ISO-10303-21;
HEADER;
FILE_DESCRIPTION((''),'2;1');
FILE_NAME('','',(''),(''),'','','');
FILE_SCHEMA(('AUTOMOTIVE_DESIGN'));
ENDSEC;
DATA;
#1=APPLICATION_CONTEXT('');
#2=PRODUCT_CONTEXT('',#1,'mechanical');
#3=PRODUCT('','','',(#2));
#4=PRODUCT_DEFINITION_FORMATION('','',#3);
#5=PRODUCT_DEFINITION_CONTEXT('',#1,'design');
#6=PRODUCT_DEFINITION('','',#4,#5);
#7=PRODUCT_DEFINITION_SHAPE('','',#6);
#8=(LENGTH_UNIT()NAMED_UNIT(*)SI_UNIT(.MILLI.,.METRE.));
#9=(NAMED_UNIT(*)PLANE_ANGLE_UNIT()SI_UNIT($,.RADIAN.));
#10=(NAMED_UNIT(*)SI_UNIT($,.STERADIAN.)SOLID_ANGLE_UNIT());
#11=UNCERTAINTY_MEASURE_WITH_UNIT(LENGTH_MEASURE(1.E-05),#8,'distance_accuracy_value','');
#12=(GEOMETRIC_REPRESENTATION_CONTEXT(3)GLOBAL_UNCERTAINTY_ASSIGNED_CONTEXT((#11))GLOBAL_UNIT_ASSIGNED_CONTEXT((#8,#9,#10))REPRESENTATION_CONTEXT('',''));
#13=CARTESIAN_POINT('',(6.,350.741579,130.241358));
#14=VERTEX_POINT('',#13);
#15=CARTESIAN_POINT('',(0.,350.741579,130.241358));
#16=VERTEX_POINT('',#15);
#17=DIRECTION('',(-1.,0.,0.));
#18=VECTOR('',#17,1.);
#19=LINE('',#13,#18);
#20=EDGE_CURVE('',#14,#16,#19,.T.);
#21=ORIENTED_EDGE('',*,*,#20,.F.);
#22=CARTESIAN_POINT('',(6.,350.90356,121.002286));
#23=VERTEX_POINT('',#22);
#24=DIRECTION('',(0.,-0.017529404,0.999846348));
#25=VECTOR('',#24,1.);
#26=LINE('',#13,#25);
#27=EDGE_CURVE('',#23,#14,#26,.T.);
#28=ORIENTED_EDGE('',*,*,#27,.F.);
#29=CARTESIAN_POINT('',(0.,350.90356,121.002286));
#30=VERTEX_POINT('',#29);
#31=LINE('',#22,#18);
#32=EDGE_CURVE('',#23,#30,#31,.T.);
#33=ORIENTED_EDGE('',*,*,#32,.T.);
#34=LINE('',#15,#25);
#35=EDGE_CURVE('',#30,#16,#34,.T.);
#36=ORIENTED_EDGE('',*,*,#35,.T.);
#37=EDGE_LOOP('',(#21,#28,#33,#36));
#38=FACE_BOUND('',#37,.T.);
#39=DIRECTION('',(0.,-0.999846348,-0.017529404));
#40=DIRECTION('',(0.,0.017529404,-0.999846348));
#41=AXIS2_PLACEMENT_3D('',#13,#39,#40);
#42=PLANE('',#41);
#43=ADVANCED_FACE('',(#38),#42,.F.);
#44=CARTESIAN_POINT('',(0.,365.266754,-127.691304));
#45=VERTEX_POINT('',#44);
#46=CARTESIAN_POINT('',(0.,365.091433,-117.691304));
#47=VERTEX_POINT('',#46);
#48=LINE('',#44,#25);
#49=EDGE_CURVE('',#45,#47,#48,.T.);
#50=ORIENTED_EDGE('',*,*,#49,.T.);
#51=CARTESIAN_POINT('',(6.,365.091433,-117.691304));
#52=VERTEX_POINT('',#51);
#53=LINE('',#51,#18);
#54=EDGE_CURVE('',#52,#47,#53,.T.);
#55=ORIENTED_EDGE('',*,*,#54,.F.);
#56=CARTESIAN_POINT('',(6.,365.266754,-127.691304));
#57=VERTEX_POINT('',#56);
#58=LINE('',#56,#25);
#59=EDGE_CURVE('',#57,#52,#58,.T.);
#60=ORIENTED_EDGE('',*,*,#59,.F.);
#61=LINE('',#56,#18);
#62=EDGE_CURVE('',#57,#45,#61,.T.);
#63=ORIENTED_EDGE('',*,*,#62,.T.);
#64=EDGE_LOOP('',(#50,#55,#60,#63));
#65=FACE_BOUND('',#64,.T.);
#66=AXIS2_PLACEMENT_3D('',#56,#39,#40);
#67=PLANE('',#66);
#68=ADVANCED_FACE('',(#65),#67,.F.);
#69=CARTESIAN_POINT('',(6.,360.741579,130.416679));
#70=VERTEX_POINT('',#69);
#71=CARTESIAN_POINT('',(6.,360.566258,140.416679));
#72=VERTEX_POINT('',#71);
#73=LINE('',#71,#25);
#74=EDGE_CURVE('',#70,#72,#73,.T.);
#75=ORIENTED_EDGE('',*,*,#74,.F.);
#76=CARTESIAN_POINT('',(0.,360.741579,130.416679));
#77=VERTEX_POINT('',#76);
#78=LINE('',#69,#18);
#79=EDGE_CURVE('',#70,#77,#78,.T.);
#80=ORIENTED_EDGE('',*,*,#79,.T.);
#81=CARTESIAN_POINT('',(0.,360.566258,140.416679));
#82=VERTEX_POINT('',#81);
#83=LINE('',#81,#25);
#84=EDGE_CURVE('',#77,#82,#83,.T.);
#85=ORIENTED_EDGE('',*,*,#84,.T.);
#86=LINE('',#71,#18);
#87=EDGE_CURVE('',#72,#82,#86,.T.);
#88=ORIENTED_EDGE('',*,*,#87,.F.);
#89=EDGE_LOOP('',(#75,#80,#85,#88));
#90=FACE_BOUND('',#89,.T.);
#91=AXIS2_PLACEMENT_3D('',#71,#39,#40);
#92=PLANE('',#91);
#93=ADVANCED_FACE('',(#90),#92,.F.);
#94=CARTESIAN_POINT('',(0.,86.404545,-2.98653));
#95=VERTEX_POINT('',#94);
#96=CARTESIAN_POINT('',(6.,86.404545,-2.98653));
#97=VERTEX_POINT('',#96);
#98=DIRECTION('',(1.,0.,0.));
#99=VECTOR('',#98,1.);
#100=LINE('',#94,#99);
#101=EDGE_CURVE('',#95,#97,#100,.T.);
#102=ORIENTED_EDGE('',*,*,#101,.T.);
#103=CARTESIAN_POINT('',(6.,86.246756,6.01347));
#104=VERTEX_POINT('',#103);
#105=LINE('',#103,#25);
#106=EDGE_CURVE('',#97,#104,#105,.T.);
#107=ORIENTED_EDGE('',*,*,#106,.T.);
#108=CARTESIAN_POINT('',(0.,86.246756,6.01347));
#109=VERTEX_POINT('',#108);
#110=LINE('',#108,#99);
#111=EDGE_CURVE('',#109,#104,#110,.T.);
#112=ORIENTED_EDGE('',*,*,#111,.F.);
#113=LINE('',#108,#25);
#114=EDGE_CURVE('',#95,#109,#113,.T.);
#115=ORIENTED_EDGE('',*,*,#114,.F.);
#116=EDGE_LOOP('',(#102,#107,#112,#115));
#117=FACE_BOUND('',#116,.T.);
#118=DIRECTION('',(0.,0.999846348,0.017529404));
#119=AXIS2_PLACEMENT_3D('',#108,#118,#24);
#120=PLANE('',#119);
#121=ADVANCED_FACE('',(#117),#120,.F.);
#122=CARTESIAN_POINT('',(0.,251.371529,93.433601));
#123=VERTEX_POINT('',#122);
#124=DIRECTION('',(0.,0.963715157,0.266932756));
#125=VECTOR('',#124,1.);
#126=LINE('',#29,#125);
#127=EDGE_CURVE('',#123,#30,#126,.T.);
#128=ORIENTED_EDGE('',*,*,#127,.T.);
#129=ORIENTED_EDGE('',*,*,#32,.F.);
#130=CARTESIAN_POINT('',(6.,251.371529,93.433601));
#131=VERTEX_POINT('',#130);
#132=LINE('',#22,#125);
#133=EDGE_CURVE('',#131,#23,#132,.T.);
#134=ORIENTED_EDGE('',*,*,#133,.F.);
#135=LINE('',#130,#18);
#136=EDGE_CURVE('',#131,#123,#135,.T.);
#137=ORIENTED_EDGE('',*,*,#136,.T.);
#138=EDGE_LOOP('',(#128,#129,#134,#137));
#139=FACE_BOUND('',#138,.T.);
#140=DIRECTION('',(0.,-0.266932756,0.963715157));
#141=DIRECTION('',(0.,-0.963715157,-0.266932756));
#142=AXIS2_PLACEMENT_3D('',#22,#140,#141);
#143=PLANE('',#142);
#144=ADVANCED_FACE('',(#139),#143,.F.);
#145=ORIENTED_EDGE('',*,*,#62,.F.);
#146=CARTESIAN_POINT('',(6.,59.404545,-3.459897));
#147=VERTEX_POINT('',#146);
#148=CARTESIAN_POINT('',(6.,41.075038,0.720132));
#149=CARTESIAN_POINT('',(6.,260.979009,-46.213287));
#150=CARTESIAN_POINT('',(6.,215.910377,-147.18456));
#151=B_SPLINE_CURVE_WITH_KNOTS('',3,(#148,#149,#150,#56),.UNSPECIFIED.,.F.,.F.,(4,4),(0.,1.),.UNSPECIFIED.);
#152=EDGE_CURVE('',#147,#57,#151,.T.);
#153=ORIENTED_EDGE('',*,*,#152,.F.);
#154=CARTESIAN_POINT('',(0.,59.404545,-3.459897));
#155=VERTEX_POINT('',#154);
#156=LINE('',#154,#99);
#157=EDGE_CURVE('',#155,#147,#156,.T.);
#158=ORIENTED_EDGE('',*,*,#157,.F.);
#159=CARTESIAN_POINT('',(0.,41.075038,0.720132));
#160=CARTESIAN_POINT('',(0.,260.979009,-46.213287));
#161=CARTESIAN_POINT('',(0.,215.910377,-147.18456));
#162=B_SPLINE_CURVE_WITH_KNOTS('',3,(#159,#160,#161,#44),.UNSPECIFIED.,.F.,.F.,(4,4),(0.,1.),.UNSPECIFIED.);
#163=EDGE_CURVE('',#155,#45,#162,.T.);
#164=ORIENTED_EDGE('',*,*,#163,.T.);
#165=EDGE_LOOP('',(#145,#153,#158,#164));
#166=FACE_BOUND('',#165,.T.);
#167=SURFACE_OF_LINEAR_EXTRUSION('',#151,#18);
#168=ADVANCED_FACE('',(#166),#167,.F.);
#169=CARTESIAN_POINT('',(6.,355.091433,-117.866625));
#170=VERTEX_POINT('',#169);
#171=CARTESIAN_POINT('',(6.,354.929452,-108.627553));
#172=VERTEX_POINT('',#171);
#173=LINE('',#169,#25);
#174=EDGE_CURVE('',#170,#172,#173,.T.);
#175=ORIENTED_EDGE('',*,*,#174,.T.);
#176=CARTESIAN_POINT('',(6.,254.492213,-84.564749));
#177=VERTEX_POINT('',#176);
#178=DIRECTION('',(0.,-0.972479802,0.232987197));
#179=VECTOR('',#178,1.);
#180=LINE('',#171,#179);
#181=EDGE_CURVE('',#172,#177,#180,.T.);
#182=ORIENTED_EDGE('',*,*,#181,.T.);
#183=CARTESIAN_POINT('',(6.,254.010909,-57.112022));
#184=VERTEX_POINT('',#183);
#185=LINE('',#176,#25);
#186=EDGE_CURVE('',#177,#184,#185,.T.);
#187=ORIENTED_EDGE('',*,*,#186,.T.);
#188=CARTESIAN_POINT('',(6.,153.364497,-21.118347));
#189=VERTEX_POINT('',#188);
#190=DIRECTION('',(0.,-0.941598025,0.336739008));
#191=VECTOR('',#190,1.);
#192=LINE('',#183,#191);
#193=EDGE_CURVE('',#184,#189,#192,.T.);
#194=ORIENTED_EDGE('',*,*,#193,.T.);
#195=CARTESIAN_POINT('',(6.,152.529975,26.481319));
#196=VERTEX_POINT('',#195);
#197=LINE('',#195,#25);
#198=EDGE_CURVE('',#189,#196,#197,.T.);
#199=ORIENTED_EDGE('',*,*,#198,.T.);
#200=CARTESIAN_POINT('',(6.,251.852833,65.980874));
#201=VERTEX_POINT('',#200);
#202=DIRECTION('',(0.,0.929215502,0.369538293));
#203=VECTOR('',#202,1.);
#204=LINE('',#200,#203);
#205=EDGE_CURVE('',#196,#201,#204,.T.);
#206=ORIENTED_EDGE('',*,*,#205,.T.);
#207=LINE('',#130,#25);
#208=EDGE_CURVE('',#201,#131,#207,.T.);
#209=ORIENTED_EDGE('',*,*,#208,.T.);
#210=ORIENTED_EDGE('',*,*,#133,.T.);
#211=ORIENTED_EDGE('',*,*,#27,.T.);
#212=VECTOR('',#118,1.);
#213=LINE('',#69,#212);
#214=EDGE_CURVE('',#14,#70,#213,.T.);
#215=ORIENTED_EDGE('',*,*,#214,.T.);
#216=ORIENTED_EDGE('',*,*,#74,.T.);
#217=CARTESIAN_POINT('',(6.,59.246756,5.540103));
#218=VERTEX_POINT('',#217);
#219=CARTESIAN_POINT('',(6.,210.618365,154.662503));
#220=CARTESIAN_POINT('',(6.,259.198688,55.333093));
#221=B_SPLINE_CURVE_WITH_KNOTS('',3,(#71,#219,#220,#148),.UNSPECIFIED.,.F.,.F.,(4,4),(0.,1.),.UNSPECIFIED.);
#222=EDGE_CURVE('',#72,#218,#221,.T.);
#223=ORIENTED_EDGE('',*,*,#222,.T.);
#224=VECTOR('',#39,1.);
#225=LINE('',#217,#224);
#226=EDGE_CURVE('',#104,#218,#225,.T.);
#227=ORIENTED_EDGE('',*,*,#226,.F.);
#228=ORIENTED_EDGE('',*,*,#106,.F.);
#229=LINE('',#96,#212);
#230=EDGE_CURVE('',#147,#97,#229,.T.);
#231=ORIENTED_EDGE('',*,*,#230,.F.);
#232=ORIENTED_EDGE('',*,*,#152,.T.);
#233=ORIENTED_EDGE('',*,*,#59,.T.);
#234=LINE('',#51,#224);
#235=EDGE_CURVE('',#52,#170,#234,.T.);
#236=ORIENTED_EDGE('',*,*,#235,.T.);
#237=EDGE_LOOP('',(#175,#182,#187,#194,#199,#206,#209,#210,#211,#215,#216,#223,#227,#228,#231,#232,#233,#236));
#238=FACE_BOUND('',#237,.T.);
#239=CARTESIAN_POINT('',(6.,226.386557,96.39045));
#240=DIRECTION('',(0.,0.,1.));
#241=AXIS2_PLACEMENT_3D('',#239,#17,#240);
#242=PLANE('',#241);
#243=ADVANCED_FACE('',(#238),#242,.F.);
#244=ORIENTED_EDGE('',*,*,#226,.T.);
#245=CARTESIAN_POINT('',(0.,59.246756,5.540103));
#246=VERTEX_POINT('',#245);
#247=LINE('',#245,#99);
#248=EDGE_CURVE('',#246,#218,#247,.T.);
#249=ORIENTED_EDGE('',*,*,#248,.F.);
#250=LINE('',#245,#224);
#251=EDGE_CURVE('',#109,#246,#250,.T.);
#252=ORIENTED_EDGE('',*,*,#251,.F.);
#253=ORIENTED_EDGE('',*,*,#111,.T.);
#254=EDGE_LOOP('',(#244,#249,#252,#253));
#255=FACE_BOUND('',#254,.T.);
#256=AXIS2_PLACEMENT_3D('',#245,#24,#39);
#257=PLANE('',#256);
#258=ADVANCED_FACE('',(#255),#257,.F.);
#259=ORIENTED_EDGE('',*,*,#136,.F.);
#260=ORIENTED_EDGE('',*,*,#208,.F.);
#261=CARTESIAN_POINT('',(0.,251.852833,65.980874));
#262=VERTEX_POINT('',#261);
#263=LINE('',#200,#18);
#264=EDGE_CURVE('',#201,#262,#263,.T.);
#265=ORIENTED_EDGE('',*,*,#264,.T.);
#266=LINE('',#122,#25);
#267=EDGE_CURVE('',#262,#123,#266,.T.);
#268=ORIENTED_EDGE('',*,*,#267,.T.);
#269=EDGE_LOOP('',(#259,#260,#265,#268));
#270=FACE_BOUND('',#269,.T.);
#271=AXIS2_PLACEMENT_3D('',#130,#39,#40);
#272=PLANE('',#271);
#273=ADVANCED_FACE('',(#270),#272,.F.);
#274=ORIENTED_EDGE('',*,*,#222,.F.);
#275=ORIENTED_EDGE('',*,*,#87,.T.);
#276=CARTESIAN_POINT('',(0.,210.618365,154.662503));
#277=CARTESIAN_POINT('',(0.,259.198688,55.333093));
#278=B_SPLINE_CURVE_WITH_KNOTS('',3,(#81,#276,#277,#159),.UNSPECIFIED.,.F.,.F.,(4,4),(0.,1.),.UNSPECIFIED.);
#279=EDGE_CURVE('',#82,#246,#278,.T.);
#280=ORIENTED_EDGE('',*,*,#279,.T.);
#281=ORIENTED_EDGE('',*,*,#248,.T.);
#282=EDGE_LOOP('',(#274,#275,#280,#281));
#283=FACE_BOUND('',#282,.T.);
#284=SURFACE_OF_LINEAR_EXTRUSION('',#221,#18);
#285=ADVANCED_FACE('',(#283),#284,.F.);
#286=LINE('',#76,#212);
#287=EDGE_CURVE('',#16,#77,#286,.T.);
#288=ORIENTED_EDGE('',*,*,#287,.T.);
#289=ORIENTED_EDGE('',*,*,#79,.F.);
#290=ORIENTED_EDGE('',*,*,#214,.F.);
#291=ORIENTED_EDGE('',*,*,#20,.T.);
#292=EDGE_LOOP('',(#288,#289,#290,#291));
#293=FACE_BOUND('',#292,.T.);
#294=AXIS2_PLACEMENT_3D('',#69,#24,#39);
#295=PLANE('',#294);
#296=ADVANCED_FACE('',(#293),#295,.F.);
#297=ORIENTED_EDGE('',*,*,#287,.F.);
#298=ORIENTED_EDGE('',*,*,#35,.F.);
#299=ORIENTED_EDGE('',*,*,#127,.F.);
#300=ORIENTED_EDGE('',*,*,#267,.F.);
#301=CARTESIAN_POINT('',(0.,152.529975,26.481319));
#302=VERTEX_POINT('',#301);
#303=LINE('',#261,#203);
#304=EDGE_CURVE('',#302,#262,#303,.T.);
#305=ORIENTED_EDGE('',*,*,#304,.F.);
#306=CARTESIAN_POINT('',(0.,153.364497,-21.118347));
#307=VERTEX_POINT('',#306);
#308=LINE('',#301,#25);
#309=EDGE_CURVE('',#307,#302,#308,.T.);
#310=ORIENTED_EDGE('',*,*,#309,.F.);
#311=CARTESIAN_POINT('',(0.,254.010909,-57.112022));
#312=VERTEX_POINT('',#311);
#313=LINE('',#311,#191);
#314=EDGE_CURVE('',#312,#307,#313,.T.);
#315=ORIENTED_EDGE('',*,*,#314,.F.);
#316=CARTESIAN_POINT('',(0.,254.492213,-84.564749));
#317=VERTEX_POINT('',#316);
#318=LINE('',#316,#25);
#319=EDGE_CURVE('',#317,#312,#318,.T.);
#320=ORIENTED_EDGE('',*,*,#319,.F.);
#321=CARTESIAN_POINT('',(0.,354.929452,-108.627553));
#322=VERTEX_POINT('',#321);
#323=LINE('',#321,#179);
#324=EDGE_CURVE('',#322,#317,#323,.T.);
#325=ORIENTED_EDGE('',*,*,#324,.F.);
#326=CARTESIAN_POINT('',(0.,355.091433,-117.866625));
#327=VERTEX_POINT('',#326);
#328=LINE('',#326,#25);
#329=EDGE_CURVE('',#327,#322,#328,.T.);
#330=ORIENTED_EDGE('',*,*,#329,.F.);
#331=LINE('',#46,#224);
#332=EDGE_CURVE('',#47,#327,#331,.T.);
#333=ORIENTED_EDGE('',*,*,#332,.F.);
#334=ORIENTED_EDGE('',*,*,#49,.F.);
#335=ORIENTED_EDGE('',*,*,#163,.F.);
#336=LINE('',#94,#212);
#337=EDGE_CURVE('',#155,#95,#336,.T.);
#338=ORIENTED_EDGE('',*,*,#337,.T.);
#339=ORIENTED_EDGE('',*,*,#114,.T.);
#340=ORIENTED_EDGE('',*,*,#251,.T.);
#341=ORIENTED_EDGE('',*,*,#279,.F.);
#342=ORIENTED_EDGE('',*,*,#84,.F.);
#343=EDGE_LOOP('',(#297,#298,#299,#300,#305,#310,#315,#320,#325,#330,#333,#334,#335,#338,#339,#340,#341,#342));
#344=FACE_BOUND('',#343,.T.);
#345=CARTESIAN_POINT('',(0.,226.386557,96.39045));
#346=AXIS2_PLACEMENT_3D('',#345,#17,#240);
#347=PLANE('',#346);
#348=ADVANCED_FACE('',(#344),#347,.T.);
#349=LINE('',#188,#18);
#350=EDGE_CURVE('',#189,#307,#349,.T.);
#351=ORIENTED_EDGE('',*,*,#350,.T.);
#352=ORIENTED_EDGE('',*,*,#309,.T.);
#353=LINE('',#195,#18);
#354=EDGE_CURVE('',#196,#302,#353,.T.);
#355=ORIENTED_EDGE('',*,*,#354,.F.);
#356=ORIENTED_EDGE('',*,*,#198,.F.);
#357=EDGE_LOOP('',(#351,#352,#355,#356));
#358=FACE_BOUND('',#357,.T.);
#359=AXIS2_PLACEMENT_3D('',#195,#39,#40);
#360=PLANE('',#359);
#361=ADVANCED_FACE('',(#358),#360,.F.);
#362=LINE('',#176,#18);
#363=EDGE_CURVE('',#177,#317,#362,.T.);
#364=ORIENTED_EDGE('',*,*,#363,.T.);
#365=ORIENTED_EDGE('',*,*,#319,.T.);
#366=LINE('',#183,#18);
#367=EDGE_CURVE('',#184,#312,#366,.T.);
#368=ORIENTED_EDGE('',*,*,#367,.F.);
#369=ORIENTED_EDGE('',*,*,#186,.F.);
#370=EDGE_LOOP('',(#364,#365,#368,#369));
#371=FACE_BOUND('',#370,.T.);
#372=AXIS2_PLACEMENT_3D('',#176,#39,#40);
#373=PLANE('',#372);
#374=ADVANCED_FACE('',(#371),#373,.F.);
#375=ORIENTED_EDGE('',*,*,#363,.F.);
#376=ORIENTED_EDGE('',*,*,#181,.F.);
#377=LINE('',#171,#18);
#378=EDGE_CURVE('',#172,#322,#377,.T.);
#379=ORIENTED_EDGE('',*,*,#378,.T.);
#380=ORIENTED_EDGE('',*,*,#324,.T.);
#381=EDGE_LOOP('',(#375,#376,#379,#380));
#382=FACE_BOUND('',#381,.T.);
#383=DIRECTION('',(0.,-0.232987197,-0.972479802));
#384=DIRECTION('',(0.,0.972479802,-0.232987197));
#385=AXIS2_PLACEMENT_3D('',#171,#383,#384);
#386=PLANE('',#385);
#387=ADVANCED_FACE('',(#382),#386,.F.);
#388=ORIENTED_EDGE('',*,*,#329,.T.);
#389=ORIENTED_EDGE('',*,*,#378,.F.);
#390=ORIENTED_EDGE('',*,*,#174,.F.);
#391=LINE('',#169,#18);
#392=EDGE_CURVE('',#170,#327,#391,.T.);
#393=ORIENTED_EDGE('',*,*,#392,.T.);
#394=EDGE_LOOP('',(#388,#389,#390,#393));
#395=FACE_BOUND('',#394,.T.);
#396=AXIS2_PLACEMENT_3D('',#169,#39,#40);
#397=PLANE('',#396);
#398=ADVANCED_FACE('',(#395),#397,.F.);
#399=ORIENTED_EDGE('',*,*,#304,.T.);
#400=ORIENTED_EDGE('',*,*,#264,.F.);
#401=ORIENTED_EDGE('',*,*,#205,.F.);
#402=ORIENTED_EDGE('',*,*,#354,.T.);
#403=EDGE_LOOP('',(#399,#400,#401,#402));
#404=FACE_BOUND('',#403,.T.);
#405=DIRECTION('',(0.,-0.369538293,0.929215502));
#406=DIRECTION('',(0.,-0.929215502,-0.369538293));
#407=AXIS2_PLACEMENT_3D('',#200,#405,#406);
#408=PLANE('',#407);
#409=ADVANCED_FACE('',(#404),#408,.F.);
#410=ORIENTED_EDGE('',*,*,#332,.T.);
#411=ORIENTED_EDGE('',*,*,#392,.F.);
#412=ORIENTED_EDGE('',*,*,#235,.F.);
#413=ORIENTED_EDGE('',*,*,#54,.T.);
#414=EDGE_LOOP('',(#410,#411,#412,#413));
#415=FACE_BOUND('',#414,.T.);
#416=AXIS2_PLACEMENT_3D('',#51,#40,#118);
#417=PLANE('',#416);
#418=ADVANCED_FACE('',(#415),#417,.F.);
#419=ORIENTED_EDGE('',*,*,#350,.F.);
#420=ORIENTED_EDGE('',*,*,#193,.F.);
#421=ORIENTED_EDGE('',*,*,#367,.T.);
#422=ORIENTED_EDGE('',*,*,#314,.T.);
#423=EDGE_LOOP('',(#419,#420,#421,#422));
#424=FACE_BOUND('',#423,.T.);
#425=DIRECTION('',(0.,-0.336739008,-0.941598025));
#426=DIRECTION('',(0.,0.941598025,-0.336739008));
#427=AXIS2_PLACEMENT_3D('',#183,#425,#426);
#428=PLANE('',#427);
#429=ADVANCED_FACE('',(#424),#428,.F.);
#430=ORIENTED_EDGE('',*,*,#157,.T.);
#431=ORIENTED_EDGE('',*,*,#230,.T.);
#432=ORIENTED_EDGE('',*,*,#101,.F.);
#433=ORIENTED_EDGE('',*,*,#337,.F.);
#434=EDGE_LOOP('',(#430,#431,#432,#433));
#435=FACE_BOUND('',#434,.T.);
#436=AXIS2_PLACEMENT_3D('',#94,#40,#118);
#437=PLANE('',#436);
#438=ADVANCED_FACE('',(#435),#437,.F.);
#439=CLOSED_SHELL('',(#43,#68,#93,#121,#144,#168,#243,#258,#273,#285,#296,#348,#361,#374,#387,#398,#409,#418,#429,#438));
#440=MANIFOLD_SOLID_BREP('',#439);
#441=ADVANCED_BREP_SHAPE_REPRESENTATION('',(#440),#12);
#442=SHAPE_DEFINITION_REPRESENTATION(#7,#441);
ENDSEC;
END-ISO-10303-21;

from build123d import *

# Parameters (mm, degrees)
BOSS_EXTRU_3_DEPTH      = 6
ENL_V_MAT_EXTRU_1_DEPTH = 6


with BuildPart() as part:
    # Esquisse2 → Boss.-Extru.3 (new body)
    with BuildSketch(Plane(origin=(0, 0, 0), x_dir=(0, 0, -1), z_dir=(1, 0, 0))):
        with BuildLine():
            Line((-140.416679055, 360.566258288), (-130.416679055, 360.741579264))
            Line((-130.416679055, 360.741579264), (-130.241358078, 350.741579264))
            Line((-130.241358078, 350.741579264), (-121.002285999, 350.903559578))
            Line((-121.002285999, 350.903559578), (-93.433601373, 251.371528907))
            Line((-93.433601373, 251.371528907), (-65.980874162, 251.852832801))
            Line((-65.980874162, 251.852832801), (-26.481318732, 152.529975322))
            Line((-26.481318732, 152.529975322), (21.118346969, 153.364497309))
            Line((21.118346969, 153.364497309), (57.112021637, 254.01090947))
            Line((57.112021637, 254.01090947), (84.564748849, 254.492213364))
            Line((84.564748849, 254.492213364), (108.627552714, 354.929452332))
            Line((108.627552714, 354.929452332), (117.866624793, 355.091432646))
            Line((117.866624793, 355.091432646), (117.691303816, 365.091432646))
            Line((117.691303816, 365.091432646), (127.691303816, 365.266753623))
            add(Edge.make_bspline(
                [(127.691303816, 365.266753623), (147.184559887, 215.910377385), (46.213287181, 260.979009095), (-0.72013158, 41.075038186)],
                knots=[0, 0, 0, 0, 1, 1, 1, 1], degree=3))
            add(Edge.make_bspline(
                [(-140.416679055, 360.566258288), (-154.66250345, 210.618365197), (-55.333093359, 259.198688036), (-0.72013158, 41.075038186)],
                knots=[0, 0, 0, 0, 1, 1, 1, 1], degree=3))
        make_face()
    extrude(amount=BOSS_EXTRU_3_DEPTH)

    # Esquisse3 → Enlèv. mat.-Extru.1 (cut)
    with BuildSketch(Plane(origin=(6, 0, 0), x_dir=(0, 0, -1), z_dir=(1, 0, 0))):
        Polygon((-5.540103091, 59.246755688), (-6.013469727, 86.246755688), (2.986530273, 86.404544567), (3.459896909, 59.404544567), (37.668799689, 18.951468612), (-34.085517668, 23.749883049), align=None)
    extrude(amount=-ENL_V_MAT_EXTRU_1_DEPTH, mode=Mode.SUBTRACT)


solid = part.part
